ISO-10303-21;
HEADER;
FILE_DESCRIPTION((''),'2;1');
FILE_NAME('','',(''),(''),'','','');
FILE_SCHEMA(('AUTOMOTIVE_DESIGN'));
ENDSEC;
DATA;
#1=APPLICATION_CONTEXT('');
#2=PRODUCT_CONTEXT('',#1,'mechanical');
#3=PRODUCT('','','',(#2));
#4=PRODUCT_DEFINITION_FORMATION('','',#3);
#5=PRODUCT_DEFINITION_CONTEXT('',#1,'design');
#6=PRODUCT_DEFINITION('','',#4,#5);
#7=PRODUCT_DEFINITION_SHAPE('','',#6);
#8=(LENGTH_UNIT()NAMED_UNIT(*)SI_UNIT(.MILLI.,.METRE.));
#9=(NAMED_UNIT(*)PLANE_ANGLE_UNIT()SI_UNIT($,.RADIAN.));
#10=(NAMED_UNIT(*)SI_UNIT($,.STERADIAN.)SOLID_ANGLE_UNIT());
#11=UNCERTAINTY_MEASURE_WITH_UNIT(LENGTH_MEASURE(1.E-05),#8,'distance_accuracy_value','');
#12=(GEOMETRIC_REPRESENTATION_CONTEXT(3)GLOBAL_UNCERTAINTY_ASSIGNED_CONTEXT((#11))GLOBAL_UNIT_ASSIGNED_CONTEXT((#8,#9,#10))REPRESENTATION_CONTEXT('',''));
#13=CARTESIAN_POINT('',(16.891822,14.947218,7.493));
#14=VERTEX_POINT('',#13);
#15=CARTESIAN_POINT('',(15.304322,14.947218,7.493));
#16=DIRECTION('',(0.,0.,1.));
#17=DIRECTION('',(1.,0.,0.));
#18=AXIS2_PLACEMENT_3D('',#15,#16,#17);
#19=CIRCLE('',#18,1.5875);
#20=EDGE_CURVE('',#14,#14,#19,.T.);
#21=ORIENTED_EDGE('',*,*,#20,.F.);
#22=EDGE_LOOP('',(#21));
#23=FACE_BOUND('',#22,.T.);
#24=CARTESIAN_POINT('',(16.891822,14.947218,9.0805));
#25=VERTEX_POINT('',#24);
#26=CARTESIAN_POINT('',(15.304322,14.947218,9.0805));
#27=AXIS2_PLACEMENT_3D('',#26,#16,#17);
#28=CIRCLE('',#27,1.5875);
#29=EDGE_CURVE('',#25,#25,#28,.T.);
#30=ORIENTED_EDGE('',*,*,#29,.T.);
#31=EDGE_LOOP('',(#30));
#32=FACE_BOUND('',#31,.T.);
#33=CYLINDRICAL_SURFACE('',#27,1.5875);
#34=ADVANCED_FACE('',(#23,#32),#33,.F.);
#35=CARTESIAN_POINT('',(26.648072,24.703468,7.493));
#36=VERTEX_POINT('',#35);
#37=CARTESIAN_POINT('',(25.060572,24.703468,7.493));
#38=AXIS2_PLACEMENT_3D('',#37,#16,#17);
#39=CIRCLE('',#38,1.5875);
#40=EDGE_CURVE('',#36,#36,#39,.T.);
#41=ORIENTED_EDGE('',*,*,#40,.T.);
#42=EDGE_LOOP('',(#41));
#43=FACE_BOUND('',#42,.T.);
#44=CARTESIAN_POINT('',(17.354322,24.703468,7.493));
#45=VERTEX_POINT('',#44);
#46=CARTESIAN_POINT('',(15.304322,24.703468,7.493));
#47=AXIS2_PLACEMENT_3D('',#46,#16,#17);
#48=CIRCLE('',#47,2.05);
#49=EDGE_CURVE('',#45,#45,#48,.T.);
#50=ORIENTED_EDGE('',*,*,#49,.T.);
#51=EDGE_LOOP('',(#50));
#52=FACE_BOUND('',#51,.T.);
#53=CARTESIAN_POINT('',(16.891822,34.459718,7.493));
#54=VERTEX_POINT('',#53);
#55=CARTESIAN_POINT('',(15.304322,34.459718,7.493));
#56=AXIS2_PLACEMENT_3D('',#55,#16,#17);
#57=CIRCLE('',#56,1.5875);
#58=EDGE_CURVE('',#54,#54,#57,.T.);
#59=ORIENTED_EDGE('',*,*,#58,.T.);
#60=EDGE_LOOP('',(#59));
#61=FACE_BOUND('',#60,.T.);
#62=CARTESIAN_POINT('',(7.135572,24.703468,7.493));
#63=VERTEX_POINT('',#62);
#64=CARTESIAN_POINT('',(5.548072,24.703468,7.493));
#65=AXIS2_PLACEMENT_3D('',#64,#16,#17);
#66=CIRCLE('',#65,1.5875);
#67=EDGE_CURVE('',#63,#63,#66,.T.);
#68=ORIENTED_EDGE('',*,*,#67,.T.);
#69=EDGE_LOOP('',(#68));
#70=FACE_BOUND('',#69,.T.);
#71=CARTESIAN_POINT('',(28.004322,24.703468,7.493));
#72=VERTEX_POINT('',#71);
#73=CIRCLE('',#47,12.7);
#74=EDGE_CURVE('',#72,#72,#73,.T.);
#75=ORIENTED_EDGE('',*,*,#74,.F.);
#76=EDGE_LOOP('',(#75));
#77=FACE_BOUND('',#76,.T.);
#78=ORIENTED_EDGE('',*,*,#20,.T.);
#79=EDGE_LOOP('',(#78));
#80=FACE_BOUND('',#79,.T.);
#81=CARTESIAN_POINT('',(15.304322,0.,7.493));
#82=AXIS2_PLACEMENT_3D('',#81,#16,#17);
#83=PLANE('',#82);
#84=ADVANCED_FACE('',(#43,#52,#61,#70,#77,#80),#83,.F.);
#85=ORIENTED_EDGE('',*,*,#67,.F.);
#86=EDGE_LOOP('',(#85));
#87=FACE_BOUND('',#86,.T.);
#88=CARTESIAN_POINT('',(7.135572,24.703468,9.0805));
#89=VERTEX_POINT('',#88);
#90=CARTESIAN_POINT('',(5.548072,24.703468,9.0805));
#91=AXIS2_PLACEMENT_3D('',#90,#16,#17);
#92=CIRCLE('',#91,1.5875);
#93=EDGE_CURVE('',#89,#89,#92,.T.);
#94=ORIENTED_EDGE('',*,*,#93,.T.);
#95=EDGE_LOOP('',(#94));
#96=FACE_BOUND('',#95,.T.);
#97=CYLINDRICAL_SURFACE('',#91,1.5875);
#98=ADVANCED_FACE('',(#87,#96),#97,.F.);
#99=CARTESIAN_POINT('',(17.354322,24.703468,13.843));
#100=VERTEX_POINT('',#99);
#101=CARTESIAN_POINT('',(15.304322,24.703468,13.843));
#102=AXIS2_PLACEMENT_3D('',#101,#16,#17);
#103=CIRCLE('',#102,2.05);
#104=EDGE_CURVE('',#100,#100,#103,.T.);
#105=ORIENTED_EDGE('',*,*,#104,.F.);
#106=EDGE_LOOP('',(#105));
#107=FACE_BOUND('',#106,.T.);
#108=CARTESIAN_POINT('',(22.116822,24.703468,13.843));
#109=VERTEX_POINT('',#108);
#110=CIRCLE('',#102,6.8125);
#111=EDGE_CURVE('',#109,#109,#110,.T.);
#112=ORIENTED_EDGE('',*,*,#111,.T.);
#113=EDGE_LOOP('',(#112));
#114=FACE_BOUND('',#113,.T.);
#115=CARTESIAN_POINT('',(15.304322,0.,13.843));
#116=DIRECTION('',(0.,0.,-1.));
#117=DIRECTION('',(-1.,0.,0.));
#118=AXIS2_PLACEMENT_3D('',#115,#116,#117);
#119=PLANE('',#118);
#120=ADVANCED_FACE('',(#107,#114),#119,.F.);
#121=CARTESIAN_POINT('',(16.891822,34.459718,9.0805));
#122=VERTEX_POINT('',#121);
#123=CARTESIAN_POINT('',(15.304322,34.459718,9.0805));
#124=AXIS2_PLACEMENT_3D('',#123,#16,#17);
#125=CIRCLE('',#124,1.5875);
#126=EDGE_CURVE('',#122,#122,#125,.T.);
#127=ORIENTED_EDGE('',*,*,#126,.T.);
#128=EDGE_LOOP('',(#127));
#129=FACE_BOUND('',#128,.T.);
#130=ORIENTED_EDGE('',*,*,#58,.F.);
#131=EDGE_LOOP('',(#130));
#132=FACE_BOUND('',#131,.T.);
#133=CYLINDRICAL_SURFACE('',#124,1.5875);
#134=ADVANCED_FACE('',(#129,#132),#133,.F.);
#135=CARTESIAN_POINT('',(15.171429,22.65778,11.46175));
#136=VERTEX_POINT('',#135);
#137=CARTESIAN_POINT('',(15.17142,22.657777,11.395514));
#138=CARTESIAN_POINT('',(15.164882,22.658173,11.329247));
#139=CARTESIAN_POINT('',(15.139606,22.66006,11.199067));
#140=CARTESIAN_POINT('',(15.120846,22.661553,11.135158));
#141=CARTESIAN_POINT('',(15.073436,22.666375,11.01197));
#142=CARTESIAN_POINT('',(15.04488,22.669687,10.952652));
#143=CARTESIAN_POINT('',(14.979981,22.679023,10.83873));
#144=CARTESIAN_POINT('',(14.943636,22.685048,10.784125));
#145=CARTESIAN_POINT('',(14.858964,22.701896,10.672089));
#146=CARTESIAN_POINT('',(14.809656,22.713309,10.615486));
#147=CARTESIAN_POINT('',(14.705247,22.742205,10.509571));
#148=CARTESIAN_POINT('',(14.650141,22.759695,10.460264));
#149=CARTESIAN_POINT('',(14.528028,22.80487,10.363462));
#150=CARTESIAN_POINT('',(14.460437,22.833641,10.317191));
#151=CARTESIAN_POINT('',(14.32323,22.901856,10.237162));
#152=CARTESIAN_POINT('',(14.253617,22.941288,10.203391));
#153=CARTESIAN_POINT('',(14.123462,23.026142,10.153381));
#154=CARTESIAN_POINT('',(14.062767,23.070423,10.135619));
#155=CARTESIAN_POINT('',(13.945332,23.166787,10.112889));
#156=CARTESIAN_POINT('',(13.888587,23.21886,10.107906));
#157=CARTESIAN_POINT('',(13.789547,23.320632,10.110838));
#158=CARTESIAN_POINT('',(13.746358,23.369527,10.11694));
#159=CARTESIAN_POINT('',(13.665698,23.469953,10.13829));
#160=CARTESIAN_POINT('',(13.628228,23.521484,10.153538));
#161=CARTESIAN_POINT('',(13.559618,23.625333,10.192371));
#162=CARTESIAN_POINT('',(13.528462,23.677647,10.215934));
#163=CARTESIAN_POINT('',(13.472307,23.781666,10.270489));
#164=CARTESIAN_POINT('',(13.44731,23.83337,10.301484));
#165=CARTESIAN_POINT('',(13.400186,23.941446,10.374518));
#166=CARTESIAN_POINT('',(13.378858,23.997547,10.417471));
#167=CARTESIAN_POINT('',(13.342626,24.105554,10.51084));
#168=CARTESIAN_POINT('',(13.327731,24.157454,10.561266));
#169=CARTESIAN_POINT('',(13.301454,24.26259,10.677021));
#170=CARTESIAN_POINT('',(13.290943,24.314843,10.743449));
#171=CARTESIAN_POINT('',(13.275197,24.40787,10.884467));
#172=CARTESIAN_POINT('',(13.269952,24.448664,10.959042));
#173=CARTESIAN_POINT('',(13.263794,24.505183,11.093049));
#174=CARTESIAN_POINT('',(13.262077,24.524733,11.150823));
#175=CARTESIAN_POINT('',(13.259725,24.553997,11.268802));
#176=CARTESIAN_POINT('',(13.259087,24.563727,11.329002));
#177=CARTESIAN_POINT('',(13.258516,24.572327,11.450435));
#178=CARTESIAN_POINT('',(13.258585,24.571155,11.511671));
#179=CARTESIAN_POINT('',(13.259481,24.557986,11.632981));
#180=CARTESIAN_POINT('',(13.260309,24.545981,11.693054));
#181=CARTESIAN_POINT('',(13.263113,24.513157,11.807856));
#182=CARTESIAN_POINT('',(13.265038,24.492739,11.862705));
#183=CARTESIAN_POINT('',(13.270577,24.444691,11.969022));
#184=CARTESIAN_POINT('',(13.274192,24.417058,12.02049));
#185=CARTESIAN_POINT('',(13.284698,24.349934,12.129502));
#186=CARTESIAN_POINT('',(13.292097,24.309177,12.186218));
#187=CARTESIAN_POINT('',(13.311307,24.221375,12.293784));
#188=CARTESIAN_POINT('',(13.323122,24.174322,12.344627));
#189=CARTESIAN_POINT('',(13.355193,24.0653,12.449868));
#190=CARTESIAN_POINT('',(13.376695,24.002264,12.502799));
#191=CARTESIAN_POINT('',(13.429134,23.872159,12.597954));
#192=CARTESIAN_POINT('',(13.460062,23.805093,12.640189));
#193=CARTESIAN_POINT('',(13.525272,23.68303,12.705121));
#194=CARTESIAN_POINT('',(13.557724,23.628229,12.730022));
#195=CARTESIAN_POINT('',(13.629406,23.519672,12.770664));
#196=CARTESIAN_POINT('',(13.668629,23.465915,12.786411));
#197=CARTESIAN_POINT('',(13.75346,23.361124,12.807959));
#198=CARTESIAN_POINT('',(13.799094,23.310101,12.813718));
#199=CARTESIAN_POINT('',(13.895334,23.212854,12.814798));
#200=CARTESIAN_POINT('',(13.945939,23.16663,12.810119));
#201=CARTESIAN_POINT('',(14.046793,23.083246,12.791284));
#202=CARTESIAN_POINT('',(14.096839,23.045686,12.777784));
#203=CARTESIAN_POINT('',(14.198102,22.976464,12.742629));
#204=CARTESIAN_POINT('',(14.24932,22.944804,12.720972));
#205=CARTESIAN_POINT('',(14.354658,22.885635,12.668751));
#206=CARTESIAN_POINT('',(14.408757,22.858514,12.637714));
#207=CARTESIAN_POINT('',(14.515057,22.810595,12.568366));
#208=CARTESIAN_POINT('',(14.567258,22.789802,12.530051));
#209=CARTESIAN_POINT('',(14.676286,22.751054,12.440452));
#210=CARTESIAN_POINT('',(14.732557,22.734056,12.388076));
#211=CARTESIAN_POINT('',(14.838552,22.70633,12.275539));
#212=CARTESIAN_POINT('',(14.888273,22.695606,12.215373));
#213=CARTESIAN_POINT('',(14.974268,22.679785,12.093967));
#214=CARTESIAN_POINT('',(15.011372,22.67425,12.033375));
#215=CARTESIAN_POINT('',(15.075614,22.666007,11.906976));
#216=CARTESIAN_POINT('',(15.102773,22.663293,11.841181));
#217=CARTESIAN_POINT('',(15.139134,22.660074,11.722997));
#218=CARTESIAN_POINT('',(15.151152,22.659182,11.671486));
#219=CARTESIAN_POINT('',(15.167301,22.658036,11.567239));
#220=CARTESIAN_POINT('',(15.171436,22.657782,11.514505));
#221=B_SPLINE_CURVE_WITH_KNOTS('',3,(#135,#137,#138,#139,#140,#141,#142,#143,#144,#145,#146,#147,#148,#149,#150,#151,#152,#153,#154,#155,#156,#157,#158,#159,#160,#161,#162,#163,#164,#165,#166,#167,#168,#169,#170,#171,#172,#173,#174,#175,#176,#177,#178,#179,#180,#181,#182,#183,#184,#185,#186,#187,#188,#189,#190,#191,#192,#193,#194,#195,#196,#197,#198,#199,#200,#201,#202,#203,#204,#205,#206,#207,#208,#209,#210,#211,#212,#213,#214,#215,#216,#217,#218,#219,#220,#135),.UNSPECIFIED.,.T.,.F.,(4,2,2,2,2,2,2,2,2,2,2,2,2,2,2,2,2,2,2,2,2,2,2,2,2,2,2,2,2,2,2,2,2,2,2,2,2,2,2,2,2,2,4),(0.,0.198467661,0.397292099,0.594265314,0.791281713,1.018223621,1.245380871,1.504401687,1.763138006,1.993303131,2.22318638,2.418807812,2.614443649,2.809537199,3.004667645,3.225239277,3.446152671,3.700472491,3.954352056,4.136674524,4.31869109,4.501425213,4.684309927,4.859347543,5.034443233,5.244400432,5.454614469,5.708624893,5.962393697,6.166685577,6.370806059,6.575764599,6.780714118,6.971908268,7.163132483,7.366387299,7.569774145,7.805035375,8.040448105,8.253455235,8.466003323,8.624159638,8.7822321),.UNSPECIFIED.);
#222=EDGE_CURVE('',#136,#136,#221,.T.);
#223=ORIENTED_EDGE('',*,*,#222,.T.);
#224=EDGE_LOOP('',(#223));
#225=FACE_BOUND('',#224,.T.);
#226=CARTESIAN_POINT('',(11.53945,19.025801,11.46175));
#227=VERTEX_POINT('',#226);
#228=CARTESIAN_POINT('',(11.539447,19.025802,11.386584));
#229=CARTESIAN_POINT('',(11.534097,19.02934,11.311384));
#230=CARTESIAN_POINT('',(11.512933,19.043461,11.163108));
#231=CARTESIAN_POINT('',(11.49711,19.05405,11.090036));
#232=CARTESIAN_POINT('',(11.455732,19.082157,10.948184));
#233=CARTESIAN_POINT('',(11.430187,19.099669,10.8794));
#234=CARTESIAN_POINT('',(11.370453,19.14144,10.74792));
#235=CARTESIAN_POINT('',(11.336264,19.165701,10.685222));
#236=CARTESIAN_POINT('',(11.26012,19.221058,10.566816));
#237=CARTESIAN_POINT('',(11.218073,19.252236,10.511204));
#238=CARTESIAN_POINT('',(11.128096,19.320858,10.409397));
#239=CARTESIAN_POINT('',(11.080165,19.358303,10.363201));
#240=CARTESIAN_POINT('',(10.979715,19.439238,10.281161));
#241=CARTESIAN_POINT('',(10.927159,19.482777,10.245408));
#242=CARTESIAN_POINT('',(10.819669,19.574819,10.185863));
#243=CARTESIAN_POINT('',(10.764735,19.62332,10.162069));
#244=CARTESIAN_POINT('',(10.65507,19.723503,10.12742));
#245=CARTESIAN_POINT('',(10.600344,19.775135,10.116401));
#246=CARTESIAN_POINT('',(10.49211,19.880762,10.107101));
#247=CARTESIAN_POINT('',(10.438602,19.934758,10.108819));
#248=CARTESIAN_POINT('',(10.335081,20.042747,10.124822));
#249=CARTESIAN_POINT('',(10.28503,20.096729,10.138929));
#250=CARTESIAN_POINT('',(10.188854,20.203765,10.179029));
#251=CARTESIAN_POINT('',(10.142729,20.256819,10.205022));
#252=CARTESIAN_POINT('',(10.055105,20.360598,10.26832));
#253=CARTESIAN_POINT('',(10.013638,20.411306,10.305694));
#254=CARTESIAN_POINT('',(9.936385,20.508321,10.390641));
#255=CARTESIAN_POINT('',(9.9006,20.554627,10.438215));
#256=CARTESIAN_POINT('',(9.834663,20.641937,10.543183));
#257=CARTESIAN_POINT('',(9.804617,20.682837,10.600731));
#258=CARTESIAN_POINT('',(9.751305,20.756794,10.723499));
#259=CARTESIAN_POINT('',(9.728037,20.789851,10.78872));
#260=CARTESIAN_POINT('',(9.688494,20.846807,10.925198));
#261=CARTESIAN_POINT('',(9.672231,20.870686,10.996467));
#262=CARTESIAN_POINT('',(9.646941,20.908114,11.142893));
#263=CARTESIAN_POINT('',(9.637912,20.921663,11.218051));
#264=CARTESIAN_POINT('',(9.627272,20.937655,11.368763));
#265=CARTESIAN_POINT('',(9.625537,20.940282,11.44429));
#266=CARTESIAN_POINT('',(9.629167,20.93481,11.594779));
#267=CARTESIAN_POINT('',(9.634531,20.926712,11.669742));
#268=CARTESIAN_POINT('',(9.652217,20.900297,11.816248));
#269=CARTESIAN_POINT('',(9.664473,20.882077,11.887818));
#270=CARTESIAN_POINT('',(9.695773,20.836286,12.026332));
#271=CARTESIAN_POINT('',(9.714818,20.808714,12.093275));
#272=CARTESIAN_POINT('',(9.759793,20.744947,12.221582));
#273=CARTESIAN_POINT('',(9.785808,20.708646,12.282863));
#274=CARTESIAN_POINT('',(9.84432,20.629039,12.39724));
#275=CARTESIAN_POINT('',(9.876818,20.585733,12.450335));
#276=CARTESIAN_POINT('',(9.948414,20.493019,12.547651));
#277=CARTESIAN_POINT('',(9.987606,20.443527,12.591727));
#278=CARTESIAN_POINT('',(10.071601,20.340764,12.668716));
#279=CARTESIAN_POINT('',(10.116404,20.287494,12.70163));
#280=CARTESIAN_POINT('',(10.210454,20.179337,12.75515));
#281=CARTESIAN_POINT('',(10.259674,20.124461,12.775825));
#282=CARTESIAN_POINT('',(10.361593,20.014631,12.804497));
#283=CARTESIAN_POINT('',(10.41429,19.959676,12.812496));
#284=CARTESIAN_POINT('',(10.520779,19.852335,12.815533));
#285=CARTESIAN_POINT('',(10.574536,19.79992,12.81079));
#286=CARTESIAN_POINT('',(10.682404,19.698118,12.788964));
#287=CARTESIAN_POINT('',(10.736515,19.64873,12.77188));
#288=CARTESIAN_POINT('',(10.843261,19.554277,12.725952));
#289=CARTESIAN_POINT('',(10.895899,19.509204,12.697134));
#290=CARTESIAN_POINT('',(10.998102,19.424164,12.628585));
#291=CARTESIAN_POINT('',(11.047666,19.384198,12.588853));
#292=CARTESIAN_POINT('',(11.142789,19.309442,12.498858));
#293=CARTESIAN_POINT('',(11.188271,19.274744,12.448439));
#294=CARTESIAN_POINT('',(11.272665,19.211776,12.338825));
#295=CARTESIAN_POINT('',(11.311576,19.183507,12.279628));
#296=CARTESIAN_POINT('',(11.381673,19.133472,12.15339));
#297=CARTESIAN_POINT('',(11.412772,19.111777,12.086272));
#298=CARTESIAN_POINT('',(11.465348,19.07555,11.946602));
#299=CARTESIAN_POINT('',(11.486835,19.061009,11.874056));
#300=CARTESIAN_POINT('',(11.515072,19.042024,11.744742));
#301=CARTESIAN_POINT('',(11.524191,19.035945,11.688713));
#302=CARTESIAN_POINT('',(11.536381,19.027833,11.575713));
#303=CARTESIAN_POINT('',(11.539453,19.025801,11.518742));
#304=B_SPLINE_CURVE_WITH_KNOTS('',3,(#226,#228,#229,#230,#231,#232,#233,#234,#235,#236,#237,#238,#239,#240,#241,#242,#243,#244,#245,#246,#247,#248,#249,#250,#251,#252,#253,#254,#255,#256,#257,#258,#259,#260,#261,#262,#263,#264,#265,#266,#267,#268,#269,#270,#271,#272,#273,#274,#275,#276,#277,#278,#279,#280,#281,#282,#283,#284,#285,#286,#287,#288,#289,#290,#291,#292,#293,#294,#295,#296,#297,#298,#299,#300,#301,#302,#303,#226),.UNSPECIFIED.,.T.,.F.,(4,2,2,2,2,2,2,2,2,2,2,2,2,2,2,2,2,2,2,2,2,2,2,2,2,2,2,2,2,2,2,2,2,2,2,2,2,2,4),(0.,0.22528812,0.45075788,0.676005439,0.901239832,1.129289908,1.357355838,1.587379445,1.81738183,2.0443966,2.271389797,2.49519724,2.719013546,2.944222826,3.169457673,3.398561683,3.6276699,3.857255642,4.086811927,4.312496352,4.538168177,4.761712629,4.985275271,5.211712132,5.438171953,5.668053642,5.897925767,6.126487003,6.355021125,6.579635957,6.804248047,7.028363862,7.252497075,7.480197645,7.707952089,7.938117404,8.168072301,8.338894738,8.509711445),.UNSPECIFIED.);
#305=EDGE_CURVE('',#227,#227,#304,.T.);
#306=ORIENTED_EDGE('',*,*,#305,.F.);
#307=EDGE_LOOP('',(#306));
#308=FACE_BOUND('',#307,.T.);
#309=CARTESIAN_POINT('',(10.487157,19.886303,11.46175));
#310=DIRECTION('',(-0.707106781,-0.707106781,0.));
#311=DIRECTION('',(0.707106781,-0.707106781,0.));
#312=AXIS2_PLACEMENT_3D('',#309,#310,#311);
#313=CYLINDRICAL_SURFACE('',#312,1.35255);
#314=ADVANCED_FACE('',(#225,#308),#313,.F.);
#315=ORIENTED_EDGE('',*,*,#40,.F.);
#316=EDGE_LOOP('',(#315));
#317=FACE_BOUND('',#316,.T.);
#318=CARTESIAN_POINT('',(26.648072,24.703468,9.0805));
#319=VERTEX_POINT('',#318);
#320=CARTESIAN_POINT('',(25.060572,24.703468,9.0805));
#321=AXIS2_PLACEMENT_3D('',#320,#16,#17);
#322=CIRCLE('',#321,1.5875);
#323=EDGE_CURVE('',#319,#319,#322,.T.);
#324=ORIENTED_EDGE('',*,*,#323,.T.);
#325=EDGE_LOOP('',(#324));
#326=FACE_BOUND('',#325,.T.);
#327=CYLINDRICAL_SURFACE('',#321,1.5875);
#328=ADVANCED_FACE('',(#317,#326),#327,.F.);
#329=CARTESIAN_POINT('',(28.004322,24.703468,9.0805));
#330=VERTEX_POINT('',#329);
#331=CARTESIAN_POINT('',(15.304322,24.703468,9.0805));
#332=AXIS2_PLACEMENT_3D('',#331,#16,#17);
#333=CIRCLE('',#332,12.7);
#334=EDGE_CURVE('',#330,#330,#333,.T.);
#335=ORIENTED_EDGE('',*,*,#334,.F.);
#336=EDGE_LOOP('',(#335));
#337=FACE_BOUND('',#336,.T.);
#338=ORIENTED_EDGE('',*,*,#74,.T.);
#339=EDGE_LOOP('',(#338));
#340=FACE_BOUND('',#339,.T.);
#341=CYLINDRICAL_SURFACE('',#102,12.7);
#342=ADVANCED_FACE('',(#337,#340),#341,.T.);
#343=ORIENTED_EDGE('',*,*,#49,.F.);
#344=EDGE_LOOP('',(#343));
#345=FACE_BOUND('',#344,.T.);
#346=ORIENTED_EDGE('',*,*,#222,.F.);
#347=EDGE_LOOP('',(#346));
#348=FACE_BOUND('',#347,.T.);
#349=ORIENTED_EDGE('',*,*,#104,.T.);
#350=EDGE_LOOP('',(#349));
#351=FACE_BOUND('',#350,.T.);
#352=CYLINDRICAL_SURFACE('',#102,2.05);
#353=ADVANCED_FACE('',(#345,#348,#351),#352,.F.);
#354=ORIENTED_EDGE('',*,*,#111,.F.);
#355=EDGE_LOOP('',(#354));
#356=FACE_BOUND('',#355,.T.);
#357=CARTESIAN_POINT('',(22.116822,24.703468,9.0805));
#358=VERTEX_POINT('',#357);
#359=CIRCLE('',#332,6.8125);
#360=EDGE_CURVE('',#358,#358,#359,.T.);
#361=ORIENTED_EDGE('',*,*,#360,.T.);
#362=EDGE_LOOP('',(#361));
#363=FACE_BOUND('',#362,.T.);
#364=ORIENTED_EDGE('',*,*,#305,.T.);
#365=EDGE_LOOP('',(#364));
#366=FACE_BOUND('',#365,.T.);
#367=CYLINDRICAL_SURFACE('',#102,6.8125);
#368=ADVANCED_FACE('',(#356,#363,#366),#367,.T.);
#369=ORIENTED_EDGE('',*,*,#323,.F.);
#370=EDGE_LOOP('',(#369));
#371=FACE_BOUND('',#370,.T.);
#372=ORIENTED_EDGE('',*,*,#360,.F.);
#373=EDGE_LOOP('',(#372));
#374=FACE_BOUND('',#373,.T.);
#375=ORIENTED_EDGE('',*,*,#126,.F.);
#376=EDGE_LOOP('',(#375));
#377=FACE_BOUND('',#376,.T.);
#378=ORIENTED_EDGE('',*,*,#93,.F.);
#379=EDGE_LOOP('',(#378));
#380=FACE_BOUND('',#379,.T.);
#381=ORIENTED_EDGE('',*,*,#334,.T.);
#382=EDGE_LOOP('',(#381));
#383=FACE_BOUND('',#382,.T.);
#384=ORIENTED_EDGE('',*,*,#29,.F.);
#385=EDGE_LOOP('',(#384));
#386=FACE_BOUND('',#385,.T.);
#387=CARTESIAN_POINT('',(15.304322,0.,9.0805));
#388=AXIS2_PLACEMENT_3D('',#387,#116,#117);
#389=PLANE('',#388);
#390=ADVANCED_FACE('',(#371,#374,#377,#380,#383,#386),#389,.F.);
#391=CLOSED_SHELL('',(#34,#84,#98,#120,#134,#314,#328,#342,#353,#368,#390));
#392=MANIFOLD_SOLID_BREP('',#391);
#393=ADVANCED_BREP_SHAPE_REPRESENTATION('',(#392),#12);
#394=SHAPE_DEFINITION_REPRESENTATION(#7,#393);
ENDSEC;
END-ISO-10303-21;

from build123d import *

# Parameters (mm, degrees)
F_1_8_0_125_DIAMETER_HOLE1_D = 3.175
F_6_32_TAPPED_HOLE1_D        = 2.7051
F_6_32_TAPPED_HOLE1_DEPTH    = 6.858
F_6_32_TAPPED_HOLE1_TIP      = 0.81269403


with BuildPart() as part:
    # Sketch1 → Revolve1 (revolve)
    with BuildSketch(Plane(origin=(15.304322218, 0, 0), x_dir=(0, 0, -1), z_dir=(1, 0, 0)), mode=Mode.PRIVATE) as revolve1_sk:
        Polygon((-7.493, 22.653467802), (-7.493, 12.003467802), (-9.0805, 12.003467802), (-9.0805, 17.890967802), (-13.843, 17.890967802), (-13.843, 22.653467802), align=None)
    revolve(revolve1_sk.sketch.rotate(Axis((15.304322218, 24.703467802, 13.843), (0, 0, -1)), 270), axis=Axis((15.304322218, 24.703467802, 13.843), (0, 0, -1)))

    # 1/8 (0.125) Diameter Hole1 (through all)
    with Locations(Plane.XY.offset(9.0805)):
        with Locations((15.304322218, 14.947217802), (25.060572218, 24.703467802), (15.304322218, 34.459717802), (5.548072218, 24.703467802)):
            Hole(F_1_8_0_125_DIAMETER_HOLE1_D / 2)

    # #6-32 Tapped Hole1
    with Locations(Plane(origin=(15.186730063, 15.186730063, 0), x_dir=(0, 0, 1), z_dir=(-0.7071067811865488, -0.7071067811865464, 0))):
        with Locations((11.46175, 6.646199579)):
            Hole(F_6_32_TAPPED_HOLE1_D / 2, depth=F_6_32_TAPPED_HOLE1_DEPTH)
            with Locations((0, 0, -(F_6_32_TAPPED_HOLE1_DEPTH + F_6_32_TAPPED_HOLE1_TIP / 2))):  # 118° drill point
                Cone(0, F_6_32_TAPPED_HOLE1_D / 2, F_6_32_TAPPED_HOLE1_TIP, mode=Mode.SUBTRACT)


solid = part.part
